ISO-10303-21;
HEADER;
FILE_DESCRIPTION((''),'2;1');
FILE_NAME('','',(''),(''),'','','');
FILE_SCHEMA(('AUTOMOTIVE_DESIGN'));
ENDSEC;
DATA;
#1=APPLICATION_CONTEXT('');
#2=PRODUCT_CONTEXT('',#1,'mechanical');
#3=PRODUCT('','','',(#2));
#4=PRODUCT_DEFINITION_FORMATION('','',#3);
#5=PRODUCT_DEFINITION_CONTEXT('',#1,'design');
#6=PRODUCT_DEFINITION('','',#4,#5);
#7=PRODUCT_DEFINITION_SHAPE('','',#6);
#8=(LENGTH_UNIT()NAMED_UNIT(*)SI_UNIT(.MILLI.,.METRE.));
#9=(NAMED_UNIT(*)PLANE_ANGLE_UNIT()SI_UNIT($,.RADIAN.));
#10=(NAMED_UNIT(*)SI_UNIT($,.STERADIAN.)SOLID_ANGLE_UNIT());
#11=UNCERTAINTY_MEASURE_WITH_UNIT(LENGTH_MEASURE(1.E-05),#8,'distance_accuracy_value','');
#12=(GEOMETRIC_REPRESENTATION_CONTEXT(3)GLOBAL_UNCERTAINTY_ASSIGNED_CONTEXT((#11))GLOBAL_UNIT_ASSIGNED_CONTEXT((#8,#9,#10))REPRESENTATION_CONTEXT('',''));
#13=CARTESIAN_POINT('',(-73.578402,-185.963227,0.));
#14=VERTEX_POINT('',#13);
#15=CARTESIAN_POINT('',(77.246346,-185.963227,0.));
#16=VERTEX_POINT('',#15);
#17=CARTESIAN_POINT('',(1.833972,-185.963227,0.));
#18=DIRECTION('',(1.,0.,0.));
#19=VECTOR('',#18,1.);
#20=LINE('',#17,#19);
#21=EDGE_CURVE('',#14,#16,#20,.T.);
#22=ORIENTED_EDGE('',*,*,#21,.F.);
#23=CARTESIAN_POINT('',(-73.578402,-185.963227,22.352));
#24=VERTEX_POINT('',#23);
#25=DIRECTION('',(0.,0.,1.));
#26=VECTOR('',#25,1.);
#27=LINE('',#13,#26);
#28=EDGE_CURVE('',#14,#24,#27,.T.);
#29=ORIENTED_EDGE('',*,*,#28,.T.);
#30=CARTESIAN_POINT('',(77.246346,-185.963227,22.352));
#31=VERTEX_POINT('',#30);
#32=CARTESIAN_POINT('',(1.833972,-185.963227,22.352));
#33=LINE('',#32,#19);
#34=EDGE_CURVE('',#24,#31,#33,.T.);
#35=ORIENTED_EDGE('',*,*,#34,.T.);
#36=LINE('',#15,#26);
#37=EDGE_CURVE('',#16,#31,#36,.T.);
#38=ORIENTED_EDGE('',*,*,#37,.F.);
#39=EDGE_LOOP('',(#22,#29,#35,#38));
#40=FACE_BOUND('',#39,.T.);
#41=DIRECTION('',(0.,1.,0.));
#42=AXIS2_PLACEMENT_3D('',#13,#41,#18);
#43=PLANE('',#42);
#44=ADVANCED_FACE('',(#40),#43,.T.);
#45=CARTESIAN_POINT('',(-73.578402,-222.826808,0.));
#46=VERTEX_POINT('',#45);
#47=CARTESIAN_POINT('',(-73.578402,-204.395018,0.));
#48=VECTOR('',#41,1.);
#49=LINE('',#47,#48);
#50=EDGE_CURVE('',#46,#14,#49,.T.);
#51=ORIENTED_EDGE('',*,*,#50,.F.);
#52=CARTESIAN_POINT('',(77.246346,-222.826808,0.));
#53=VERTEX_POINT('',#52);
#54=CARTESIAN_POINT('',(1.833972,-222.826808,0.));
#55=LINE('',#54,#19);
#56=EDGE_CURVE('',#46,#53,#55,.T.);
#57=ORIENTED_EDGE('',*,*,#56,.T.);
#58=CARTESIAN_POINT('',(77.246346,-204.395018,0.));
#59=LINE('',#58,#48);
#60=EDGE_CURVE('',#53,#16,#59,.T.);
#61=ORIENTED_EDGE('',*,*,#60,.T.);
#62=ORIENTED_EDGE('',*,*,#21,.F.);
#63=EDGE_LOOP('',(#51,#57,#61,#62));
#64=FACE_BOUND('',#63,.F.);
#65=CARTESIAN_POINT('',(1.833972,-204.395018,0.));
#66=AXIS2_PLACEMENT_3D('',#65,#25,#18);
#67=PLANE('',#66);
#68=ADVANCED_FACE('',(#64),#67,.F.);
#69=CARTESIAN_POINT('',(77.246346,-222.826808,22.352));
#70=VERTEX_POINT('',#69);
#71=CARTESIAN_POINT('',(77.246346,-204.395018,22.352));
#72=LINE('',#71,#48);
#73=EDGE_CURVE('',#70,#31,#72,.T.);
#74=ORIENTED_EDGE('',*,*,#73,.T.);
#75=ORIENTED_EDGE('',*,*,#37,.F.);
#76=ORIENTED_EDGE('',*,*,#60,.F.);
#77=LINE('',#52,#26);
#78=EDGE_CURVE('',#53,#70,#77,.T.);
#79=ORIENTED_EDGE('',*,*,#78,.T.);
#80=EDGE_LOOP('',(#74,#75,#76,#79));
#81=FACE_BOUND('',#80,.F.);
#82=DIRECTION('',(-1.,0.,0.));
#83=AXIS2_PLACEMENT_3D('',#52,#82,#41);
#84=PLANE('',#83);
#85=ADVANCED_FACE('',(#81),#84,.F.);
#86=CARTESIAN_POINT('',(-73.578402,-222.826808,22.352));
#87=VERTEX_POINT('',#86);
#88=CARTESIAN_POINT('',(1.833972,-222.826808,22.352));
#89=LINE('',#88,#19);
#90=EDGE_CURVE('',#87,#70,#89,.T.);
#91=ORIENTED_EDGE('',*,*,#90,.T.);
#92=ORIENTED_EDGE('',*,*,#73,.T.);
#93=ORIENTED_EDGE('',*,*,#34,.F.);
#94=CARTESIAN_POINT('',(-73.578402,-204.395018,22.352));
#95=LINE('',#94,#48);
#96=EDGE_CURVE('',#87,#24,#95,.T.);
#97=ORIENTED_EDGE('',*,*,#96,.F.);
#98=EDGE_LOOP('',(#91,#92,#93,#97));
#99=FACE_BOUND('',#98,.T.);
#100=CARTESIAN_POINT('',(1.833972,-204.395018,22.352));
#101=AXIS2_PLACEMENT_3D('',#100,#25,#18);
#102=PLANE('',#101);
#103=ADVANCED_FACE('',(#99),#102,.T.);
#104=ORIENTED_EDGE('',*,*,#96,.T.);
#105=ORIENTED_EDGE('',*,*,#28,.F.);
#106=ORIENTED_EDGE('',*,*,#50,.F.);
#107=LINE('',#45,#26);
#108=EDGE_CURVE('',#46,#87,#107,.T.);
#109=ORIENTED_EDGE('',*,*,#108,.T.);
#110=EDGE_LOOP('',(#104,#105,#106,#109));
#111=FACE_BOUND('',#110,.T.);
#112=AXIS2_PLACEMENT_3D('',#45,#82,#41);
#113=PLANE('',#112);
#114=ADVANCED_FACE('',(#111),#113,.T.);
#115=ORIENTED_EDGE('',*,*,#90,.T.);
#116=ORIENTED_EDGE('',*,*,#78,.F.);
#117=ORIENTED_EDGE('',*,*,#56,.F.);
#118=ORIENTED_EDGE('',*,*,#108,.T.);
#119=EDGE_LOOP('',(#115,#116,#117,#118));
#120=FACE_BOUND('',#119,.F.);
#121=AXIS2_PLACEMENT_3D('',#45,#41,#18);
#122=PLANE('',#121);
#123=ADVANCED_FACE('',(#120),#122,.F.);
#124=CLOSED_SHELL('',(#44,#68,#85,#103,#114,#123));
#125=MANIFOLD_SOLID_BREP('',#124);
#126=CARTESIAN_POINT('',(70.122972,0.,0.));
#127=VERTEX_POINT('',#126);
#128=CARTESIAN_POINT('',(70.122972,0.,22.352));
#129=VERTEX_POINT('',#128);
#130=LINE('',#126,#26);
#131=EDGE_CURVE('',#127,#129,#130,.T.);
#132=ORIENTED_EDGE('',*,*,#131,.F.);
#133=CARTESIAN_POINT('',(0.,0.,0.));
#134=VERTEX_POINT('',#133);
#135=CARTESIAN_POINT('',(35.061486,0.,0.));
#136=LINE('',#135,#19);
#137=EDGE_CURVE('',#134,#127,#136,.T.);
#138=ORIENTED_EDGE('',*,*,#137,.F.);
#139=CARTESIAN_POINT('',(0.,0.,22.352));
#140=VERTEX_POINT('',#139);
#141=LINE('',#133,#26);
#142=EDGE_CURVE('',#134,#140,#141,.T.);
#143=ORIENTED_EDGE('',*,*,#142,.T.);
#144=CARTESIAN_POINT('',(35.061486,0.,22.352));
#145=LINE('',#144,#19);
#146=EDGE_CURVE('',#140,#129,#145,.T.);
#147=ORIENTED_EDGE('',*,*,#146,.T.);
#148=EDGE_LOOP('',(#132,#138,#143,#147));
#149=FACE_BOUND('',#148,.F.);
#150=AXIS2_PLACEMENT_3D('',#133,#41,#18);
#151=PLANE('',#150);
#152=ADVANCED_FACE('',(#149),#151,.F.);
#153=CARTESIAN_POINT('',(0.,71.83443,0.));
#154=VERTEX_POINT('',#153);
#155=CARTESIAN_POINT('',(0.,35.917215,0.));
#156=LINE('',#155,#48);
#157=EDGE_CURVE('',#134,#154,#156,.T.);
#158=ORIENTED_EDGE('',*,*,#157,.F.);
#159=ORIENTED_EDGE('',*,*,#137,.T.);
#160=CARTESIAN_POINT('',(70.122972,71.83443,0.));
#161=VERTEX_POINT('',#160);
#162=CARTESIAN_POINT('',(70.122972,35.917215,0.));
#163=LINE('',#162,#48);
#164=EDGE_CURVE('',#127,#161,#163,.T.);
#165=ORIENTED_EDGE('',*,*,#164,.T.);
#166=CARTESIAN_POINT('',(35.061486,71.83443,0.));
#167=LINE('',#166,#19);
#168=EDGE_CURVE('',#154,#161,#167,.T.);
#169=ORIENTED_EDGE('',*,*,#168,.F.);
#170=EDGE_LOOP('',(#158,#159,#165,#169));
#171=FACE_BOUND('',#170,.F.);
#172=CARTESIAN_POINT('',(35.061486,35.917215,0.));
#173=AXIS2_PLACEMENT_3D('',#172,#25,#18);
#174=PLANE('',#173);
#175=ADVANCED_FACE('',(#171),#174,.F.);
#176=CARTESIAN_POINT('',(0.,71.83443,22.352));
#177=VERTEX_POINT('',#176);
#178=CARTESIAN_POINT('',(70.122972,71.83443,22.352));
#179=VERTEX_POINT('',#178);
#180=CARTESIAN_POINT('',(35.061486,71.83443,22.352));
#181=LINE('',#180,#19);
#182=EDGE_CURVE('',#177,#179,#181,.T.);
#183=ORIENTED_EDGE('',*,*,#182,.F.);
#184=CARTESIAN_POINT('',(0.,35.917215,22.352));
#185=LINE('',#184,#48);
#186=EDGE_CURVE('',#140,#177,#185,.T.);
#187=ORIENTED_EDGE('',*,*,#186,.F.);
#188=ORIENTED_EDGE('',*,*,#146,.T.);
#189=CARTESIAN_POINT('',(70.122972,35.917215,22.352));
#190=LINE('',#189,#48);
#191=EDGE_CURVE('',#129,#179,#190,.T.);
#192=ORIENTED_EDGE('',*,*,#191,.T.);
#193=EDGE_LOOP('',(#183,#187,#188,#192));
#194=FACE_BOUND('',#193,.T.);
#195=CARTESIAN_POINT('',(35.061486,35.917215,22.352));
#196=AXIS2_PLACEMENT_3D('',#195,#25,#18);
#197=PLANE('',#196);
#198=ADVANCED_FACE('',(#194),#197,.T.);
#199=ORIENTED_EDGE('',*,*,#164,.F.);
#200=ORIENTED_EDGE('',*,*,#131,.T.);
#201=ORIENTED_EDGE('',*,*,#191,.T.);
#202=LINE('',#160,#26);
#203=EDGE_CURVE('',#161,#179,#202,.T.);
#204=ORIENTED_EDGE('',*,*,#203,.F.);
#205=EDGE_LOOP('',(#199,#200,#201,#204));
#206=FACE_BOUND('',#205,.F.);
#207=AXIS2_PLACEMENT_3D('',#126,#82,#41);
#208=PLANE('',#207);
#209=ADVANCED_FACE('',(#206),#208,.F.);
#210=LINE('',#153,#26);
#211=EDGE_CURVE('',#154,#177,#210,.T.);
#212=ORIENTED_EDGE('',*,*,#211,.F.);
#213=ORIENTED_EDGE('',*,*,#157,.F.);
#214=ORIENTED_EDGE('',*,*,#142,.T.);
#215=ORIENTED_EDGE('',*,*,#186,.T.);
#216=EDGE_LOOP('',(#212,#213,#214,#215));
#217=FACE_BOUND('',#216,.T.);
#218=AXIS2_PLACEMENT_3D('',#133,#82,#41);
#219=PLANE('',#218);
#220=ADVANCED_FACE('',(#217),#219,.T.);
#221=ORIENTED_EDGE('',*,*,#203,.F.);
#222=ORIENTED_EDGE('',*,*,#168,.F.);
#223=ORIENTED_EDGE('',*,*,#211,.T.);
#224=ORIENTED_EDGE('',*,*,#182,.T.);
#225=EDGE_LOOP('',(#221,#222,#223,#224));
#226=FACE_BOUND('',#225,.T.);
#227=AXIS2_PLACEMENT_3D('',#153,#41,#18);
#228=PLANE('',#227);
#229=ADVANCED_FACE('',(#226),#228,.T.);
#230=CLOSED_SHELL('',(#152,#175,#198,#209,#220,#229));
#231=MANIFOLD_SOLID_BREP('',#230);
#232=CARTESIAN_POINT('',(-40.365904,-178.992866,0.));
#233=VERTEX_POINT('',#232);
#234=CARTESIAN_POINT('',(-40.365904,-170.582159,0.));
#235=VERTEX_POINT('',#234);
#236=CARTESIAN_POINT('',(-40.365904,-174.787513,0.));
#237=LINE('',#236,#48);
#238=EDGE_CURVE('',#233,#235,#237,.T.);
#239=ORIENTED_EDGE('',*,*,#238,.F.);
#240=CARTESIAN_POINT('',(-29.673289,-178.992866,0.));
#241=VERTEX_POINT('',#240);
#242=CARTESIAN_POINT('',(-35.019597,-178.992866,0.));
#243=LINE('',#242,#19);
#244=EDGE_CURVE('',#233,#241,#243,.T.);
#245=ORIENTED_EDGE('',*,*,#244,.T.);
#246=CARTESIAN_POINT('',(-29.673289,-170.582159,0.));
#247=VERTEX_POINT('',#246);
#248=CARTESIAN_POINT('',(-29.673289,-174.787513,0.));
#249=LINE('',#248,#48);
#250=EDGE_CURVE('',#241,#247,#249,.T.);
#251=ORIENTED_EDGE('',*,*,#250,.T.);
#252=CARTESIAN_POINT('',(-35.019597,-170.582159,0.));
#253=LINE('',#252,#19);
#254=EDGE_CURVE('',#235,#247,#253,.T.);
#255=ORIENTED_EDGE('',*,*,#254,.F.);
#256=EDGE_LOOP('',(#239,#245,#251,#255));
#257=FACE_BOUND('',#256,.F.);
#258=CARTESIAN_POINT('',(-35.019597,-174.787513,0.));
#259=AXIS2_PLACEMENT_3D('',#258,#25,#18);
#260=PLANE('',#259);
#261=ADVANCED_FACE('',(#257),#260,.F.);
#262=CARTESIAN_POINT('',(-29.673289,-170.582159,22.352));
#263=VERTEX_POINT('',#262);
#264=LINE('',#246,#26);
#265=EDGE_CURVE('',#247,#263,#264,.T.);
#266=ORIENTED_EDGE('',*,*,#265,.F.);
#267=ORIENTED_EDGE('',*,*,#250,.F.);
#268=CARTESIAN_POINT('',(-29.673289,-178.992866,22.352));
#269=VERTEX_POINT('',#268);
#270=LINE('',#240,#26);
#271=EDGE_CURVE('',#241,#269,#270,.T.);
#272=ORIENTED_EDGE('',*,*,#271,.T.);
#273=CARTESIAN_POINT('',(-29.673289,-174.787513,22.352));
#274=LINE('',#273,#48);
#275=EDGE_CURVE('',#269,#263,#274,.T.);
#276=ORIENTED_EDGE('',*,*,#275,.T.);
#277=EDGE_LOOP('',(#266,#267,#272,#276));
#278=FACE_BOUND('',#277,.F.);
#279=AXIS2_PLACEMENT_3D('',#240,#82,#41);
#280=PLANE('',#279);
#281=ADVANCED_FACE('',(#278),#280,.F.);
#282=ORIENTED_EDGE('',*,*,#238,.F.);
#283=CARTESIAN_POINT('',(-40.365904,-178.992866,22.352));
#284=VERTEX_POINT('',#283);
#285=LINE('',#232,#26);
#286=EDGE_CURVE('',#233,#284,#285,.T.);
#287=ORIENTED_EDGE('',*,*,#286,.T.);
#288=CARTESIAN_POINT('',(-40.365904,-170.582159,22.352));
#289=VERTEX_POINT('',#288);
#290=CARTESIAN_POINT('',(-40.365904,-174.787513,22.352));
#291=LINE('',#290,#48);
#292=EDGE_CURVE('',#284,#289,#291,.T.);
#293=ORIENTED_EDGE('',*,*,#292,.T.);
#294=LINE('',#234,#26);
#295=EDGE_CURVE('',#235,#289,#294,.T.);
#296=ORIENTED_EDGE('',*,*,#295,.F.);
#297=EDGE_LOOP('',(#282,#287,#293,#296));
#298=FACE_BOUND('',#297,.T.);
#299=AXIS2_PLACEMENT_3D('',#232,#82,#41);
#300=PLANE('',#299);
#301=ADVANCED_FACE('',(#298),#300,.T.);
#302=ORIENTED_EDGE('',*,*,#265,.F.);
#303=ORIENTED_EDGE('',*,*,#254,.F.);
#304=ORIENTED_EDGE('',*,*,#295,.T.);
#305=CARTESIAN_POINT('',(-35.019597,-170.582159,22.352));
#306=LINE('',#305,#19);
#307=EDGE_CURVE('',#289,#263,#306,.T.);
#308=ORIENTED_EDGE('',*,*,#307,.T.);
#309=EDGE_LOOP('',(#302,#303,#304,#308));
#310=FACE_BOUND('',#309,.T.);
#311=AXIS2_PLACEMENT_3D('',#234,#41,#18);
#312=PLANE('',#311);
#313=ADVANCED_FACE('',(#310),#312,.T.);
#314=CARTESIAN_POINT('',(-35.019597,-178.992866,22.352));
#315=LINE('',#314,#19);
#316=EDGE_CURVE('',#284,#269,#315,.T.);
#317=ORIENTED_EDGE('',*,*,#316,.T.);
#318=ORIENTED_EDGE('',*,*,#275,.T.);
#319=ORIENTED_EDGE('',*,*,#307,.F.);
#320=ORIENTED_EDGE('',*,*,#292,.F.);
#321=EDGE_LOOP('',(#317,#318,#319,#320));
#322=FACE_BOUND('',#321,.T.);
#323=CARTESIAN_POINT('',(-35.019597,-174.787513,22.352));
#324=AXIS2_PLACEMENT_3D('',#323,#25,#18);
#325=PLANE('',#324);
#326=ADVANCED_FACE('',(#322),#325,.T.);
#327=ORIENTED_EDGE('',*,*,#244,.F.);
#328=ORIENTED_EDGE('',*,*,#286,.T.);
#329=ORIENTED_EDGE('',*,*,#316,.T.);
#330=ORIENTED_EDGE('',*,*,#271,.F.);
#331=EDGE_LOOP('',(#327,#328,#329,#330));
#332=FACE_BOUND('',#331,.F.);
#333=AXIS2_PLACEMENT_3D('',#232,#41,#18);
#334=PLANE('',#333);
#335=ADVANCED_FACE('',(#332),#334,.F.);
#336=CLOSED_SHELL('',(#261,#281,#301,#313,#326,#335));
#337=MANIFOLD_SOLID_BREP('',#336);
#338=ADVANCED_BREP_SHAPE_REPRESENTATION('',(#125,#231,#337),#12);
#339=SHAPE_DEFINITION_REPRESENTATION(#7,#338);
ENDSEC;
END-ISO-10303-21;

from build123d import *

# Parameters (mm, degrees)
F0_W     = 70.122972
F0_H     = 71.83443
F0_W_2   = 10.692615
F0_H_2   = 8.410707
F0_W_3   = 150.824748
F0_H_3   = 36.863581
F1_DEPTH = 22.352


with BuildPart() as f1:
    # F0 (on Top) → F1 (new body)
    with BuildSketch(Plane.XY):
        with Locations((35.061486, 35.917215)):
            Rectangle(F0_W, F0_H)
        with Locations((-35.019597, -174.787513)):
            Rectangle(F0_W_2, F0_H_2)
        with Locations((1.833972, -204.395018)):
            Rectangle(F0_W_3, F0_H_3)
    extrude(amount=F1_DEPTH)


solid = f1.part
